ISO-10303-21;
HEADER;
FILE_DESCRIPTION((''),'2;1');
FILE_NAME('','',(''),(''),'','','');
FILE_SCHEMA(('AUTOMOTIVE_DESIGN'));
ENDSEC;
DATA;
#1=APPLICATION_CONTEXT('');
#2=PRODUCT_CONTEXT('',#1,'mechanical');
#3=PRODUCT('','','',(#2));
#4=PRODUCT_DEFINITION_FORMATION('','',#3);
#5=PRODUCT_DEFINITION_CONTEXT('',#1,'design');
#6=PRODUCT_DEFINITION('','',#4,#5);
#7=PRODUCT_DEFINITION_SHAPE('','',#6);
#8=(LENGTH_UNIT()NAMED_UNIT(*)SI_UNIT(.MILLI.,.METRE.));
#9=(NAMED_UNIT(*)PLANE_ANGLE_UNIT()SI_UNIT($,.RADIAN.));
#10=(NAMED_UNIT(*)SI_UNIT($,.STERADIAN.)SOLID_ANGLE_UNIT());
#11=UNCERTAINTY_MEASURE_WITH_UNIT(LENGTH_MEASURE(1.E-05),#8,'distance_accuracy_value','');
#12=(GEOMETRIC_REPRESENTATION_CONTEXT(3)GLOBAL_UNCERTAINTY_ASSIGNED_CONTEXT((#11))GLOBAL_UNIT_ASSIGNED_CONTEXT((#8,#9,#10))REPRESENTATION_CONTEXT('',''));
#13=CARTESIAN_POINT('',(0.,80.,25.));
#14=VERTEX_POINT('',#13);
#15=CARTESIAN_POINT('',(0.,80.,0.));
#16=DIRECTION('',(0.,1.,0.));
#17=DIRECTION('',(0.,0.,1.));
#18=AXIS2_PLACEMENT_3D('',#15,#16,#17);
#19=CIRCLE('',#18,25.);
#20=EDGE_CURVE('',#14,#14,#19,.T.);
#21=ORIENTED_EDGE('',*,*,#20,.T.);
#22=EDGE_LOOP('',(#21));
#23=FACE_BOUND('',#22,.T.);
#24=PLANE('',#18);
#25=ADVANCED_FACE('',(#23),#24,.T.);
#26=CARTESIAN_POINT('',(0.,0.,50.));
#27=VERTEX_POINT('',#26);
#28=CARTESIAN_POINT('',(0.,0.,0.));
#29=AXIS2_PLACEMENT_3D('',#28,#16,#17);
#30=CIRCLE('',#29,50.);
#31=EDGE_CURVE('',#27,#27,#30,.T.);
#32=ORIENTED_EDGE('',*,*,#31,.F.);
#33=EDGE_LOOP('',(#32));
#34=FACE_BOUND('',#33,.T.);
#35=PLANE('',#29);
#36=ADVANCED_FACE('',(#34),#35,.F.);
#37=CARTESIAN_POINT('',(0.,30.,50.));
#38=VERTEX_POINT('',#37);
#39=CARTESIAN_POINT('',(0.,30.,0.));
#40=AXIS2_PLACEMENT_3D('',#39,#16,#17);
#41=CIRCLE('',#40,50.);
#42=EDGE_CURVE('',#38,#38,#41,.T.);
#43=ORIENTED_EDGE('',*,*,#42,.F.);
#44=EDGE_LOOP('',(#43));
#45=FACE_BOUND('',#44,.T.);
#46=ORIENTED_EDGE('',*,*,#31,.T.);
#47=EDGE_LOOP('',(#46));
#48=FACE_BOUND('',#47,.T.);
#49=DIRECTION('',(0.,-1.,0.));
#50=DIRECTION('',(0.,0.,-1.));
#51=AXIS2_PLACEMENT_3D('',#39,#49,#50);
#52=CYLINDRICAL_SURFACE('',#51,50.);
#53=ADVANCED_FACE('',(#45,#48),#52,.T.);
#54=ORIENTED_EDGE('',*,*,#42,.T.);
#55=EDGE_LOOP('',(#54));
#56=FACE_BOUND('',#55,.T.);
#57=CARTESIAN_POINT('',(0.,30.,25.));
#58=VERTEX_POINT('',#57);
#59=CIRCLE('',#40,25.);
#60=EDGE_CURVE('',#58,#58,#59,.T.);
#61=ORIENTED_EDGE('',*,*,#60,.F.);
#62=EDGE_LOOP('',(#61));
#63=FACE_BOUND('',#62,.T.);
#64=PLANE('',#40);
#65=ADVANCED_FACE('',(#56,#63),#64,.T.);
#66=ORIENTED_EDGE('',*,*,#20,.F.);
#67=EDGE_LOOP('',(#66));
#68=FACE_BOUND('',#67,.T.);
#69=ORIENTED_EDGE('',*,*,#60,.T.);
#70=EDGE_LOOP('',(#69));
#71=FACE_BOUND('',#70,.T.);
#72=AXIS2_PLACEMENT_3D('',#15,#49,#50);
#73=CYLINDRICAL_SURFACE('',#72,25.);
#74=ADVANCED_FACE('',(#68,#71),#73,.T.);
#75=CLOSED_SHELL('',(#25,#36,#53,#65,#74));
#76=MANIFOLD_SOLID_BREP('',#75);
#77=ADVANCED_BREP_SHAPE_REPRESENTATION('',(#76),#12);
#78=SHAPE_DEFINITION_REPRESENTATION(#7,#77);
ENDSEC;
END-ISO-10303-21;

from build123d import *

# Parameters (mm, degrees)
SKETCH_1_R        = 50
EXTRUDE_207_DEPTH = 30
SKETCH_2_R        = 25
EXTRUDE_1_DEPTH   = 50


with BuildPart() as part:
    # Эскиз1 → Extrude 207 (new body)
    with BuildSketch(Plane(origin=(0, 0, 0), x_dir=(1, 0, 0), z_dir=(0, 1, 0))):
        with Locations(Location((0, 0, 0), (0, 0, 270))):
            Circle(SKETCH_1_R)
    extrude(amount=EXTRUDE_207_DEPTH)

    # Эскиз2 → Бобышка-Вытянуть1 (add)
    with BuildSketch(Plane(origin=(0, 30, 0), x_dir=(-1, 0, 0), z_dir=(0, 1, 0))):
        with Locations(Location((0, 0, 0), (0, 0, 90))):
            Circle(SKETCH_2_R)
    extrude(amount=EXTRUDE_1_DEPTH)


solid = part.part
